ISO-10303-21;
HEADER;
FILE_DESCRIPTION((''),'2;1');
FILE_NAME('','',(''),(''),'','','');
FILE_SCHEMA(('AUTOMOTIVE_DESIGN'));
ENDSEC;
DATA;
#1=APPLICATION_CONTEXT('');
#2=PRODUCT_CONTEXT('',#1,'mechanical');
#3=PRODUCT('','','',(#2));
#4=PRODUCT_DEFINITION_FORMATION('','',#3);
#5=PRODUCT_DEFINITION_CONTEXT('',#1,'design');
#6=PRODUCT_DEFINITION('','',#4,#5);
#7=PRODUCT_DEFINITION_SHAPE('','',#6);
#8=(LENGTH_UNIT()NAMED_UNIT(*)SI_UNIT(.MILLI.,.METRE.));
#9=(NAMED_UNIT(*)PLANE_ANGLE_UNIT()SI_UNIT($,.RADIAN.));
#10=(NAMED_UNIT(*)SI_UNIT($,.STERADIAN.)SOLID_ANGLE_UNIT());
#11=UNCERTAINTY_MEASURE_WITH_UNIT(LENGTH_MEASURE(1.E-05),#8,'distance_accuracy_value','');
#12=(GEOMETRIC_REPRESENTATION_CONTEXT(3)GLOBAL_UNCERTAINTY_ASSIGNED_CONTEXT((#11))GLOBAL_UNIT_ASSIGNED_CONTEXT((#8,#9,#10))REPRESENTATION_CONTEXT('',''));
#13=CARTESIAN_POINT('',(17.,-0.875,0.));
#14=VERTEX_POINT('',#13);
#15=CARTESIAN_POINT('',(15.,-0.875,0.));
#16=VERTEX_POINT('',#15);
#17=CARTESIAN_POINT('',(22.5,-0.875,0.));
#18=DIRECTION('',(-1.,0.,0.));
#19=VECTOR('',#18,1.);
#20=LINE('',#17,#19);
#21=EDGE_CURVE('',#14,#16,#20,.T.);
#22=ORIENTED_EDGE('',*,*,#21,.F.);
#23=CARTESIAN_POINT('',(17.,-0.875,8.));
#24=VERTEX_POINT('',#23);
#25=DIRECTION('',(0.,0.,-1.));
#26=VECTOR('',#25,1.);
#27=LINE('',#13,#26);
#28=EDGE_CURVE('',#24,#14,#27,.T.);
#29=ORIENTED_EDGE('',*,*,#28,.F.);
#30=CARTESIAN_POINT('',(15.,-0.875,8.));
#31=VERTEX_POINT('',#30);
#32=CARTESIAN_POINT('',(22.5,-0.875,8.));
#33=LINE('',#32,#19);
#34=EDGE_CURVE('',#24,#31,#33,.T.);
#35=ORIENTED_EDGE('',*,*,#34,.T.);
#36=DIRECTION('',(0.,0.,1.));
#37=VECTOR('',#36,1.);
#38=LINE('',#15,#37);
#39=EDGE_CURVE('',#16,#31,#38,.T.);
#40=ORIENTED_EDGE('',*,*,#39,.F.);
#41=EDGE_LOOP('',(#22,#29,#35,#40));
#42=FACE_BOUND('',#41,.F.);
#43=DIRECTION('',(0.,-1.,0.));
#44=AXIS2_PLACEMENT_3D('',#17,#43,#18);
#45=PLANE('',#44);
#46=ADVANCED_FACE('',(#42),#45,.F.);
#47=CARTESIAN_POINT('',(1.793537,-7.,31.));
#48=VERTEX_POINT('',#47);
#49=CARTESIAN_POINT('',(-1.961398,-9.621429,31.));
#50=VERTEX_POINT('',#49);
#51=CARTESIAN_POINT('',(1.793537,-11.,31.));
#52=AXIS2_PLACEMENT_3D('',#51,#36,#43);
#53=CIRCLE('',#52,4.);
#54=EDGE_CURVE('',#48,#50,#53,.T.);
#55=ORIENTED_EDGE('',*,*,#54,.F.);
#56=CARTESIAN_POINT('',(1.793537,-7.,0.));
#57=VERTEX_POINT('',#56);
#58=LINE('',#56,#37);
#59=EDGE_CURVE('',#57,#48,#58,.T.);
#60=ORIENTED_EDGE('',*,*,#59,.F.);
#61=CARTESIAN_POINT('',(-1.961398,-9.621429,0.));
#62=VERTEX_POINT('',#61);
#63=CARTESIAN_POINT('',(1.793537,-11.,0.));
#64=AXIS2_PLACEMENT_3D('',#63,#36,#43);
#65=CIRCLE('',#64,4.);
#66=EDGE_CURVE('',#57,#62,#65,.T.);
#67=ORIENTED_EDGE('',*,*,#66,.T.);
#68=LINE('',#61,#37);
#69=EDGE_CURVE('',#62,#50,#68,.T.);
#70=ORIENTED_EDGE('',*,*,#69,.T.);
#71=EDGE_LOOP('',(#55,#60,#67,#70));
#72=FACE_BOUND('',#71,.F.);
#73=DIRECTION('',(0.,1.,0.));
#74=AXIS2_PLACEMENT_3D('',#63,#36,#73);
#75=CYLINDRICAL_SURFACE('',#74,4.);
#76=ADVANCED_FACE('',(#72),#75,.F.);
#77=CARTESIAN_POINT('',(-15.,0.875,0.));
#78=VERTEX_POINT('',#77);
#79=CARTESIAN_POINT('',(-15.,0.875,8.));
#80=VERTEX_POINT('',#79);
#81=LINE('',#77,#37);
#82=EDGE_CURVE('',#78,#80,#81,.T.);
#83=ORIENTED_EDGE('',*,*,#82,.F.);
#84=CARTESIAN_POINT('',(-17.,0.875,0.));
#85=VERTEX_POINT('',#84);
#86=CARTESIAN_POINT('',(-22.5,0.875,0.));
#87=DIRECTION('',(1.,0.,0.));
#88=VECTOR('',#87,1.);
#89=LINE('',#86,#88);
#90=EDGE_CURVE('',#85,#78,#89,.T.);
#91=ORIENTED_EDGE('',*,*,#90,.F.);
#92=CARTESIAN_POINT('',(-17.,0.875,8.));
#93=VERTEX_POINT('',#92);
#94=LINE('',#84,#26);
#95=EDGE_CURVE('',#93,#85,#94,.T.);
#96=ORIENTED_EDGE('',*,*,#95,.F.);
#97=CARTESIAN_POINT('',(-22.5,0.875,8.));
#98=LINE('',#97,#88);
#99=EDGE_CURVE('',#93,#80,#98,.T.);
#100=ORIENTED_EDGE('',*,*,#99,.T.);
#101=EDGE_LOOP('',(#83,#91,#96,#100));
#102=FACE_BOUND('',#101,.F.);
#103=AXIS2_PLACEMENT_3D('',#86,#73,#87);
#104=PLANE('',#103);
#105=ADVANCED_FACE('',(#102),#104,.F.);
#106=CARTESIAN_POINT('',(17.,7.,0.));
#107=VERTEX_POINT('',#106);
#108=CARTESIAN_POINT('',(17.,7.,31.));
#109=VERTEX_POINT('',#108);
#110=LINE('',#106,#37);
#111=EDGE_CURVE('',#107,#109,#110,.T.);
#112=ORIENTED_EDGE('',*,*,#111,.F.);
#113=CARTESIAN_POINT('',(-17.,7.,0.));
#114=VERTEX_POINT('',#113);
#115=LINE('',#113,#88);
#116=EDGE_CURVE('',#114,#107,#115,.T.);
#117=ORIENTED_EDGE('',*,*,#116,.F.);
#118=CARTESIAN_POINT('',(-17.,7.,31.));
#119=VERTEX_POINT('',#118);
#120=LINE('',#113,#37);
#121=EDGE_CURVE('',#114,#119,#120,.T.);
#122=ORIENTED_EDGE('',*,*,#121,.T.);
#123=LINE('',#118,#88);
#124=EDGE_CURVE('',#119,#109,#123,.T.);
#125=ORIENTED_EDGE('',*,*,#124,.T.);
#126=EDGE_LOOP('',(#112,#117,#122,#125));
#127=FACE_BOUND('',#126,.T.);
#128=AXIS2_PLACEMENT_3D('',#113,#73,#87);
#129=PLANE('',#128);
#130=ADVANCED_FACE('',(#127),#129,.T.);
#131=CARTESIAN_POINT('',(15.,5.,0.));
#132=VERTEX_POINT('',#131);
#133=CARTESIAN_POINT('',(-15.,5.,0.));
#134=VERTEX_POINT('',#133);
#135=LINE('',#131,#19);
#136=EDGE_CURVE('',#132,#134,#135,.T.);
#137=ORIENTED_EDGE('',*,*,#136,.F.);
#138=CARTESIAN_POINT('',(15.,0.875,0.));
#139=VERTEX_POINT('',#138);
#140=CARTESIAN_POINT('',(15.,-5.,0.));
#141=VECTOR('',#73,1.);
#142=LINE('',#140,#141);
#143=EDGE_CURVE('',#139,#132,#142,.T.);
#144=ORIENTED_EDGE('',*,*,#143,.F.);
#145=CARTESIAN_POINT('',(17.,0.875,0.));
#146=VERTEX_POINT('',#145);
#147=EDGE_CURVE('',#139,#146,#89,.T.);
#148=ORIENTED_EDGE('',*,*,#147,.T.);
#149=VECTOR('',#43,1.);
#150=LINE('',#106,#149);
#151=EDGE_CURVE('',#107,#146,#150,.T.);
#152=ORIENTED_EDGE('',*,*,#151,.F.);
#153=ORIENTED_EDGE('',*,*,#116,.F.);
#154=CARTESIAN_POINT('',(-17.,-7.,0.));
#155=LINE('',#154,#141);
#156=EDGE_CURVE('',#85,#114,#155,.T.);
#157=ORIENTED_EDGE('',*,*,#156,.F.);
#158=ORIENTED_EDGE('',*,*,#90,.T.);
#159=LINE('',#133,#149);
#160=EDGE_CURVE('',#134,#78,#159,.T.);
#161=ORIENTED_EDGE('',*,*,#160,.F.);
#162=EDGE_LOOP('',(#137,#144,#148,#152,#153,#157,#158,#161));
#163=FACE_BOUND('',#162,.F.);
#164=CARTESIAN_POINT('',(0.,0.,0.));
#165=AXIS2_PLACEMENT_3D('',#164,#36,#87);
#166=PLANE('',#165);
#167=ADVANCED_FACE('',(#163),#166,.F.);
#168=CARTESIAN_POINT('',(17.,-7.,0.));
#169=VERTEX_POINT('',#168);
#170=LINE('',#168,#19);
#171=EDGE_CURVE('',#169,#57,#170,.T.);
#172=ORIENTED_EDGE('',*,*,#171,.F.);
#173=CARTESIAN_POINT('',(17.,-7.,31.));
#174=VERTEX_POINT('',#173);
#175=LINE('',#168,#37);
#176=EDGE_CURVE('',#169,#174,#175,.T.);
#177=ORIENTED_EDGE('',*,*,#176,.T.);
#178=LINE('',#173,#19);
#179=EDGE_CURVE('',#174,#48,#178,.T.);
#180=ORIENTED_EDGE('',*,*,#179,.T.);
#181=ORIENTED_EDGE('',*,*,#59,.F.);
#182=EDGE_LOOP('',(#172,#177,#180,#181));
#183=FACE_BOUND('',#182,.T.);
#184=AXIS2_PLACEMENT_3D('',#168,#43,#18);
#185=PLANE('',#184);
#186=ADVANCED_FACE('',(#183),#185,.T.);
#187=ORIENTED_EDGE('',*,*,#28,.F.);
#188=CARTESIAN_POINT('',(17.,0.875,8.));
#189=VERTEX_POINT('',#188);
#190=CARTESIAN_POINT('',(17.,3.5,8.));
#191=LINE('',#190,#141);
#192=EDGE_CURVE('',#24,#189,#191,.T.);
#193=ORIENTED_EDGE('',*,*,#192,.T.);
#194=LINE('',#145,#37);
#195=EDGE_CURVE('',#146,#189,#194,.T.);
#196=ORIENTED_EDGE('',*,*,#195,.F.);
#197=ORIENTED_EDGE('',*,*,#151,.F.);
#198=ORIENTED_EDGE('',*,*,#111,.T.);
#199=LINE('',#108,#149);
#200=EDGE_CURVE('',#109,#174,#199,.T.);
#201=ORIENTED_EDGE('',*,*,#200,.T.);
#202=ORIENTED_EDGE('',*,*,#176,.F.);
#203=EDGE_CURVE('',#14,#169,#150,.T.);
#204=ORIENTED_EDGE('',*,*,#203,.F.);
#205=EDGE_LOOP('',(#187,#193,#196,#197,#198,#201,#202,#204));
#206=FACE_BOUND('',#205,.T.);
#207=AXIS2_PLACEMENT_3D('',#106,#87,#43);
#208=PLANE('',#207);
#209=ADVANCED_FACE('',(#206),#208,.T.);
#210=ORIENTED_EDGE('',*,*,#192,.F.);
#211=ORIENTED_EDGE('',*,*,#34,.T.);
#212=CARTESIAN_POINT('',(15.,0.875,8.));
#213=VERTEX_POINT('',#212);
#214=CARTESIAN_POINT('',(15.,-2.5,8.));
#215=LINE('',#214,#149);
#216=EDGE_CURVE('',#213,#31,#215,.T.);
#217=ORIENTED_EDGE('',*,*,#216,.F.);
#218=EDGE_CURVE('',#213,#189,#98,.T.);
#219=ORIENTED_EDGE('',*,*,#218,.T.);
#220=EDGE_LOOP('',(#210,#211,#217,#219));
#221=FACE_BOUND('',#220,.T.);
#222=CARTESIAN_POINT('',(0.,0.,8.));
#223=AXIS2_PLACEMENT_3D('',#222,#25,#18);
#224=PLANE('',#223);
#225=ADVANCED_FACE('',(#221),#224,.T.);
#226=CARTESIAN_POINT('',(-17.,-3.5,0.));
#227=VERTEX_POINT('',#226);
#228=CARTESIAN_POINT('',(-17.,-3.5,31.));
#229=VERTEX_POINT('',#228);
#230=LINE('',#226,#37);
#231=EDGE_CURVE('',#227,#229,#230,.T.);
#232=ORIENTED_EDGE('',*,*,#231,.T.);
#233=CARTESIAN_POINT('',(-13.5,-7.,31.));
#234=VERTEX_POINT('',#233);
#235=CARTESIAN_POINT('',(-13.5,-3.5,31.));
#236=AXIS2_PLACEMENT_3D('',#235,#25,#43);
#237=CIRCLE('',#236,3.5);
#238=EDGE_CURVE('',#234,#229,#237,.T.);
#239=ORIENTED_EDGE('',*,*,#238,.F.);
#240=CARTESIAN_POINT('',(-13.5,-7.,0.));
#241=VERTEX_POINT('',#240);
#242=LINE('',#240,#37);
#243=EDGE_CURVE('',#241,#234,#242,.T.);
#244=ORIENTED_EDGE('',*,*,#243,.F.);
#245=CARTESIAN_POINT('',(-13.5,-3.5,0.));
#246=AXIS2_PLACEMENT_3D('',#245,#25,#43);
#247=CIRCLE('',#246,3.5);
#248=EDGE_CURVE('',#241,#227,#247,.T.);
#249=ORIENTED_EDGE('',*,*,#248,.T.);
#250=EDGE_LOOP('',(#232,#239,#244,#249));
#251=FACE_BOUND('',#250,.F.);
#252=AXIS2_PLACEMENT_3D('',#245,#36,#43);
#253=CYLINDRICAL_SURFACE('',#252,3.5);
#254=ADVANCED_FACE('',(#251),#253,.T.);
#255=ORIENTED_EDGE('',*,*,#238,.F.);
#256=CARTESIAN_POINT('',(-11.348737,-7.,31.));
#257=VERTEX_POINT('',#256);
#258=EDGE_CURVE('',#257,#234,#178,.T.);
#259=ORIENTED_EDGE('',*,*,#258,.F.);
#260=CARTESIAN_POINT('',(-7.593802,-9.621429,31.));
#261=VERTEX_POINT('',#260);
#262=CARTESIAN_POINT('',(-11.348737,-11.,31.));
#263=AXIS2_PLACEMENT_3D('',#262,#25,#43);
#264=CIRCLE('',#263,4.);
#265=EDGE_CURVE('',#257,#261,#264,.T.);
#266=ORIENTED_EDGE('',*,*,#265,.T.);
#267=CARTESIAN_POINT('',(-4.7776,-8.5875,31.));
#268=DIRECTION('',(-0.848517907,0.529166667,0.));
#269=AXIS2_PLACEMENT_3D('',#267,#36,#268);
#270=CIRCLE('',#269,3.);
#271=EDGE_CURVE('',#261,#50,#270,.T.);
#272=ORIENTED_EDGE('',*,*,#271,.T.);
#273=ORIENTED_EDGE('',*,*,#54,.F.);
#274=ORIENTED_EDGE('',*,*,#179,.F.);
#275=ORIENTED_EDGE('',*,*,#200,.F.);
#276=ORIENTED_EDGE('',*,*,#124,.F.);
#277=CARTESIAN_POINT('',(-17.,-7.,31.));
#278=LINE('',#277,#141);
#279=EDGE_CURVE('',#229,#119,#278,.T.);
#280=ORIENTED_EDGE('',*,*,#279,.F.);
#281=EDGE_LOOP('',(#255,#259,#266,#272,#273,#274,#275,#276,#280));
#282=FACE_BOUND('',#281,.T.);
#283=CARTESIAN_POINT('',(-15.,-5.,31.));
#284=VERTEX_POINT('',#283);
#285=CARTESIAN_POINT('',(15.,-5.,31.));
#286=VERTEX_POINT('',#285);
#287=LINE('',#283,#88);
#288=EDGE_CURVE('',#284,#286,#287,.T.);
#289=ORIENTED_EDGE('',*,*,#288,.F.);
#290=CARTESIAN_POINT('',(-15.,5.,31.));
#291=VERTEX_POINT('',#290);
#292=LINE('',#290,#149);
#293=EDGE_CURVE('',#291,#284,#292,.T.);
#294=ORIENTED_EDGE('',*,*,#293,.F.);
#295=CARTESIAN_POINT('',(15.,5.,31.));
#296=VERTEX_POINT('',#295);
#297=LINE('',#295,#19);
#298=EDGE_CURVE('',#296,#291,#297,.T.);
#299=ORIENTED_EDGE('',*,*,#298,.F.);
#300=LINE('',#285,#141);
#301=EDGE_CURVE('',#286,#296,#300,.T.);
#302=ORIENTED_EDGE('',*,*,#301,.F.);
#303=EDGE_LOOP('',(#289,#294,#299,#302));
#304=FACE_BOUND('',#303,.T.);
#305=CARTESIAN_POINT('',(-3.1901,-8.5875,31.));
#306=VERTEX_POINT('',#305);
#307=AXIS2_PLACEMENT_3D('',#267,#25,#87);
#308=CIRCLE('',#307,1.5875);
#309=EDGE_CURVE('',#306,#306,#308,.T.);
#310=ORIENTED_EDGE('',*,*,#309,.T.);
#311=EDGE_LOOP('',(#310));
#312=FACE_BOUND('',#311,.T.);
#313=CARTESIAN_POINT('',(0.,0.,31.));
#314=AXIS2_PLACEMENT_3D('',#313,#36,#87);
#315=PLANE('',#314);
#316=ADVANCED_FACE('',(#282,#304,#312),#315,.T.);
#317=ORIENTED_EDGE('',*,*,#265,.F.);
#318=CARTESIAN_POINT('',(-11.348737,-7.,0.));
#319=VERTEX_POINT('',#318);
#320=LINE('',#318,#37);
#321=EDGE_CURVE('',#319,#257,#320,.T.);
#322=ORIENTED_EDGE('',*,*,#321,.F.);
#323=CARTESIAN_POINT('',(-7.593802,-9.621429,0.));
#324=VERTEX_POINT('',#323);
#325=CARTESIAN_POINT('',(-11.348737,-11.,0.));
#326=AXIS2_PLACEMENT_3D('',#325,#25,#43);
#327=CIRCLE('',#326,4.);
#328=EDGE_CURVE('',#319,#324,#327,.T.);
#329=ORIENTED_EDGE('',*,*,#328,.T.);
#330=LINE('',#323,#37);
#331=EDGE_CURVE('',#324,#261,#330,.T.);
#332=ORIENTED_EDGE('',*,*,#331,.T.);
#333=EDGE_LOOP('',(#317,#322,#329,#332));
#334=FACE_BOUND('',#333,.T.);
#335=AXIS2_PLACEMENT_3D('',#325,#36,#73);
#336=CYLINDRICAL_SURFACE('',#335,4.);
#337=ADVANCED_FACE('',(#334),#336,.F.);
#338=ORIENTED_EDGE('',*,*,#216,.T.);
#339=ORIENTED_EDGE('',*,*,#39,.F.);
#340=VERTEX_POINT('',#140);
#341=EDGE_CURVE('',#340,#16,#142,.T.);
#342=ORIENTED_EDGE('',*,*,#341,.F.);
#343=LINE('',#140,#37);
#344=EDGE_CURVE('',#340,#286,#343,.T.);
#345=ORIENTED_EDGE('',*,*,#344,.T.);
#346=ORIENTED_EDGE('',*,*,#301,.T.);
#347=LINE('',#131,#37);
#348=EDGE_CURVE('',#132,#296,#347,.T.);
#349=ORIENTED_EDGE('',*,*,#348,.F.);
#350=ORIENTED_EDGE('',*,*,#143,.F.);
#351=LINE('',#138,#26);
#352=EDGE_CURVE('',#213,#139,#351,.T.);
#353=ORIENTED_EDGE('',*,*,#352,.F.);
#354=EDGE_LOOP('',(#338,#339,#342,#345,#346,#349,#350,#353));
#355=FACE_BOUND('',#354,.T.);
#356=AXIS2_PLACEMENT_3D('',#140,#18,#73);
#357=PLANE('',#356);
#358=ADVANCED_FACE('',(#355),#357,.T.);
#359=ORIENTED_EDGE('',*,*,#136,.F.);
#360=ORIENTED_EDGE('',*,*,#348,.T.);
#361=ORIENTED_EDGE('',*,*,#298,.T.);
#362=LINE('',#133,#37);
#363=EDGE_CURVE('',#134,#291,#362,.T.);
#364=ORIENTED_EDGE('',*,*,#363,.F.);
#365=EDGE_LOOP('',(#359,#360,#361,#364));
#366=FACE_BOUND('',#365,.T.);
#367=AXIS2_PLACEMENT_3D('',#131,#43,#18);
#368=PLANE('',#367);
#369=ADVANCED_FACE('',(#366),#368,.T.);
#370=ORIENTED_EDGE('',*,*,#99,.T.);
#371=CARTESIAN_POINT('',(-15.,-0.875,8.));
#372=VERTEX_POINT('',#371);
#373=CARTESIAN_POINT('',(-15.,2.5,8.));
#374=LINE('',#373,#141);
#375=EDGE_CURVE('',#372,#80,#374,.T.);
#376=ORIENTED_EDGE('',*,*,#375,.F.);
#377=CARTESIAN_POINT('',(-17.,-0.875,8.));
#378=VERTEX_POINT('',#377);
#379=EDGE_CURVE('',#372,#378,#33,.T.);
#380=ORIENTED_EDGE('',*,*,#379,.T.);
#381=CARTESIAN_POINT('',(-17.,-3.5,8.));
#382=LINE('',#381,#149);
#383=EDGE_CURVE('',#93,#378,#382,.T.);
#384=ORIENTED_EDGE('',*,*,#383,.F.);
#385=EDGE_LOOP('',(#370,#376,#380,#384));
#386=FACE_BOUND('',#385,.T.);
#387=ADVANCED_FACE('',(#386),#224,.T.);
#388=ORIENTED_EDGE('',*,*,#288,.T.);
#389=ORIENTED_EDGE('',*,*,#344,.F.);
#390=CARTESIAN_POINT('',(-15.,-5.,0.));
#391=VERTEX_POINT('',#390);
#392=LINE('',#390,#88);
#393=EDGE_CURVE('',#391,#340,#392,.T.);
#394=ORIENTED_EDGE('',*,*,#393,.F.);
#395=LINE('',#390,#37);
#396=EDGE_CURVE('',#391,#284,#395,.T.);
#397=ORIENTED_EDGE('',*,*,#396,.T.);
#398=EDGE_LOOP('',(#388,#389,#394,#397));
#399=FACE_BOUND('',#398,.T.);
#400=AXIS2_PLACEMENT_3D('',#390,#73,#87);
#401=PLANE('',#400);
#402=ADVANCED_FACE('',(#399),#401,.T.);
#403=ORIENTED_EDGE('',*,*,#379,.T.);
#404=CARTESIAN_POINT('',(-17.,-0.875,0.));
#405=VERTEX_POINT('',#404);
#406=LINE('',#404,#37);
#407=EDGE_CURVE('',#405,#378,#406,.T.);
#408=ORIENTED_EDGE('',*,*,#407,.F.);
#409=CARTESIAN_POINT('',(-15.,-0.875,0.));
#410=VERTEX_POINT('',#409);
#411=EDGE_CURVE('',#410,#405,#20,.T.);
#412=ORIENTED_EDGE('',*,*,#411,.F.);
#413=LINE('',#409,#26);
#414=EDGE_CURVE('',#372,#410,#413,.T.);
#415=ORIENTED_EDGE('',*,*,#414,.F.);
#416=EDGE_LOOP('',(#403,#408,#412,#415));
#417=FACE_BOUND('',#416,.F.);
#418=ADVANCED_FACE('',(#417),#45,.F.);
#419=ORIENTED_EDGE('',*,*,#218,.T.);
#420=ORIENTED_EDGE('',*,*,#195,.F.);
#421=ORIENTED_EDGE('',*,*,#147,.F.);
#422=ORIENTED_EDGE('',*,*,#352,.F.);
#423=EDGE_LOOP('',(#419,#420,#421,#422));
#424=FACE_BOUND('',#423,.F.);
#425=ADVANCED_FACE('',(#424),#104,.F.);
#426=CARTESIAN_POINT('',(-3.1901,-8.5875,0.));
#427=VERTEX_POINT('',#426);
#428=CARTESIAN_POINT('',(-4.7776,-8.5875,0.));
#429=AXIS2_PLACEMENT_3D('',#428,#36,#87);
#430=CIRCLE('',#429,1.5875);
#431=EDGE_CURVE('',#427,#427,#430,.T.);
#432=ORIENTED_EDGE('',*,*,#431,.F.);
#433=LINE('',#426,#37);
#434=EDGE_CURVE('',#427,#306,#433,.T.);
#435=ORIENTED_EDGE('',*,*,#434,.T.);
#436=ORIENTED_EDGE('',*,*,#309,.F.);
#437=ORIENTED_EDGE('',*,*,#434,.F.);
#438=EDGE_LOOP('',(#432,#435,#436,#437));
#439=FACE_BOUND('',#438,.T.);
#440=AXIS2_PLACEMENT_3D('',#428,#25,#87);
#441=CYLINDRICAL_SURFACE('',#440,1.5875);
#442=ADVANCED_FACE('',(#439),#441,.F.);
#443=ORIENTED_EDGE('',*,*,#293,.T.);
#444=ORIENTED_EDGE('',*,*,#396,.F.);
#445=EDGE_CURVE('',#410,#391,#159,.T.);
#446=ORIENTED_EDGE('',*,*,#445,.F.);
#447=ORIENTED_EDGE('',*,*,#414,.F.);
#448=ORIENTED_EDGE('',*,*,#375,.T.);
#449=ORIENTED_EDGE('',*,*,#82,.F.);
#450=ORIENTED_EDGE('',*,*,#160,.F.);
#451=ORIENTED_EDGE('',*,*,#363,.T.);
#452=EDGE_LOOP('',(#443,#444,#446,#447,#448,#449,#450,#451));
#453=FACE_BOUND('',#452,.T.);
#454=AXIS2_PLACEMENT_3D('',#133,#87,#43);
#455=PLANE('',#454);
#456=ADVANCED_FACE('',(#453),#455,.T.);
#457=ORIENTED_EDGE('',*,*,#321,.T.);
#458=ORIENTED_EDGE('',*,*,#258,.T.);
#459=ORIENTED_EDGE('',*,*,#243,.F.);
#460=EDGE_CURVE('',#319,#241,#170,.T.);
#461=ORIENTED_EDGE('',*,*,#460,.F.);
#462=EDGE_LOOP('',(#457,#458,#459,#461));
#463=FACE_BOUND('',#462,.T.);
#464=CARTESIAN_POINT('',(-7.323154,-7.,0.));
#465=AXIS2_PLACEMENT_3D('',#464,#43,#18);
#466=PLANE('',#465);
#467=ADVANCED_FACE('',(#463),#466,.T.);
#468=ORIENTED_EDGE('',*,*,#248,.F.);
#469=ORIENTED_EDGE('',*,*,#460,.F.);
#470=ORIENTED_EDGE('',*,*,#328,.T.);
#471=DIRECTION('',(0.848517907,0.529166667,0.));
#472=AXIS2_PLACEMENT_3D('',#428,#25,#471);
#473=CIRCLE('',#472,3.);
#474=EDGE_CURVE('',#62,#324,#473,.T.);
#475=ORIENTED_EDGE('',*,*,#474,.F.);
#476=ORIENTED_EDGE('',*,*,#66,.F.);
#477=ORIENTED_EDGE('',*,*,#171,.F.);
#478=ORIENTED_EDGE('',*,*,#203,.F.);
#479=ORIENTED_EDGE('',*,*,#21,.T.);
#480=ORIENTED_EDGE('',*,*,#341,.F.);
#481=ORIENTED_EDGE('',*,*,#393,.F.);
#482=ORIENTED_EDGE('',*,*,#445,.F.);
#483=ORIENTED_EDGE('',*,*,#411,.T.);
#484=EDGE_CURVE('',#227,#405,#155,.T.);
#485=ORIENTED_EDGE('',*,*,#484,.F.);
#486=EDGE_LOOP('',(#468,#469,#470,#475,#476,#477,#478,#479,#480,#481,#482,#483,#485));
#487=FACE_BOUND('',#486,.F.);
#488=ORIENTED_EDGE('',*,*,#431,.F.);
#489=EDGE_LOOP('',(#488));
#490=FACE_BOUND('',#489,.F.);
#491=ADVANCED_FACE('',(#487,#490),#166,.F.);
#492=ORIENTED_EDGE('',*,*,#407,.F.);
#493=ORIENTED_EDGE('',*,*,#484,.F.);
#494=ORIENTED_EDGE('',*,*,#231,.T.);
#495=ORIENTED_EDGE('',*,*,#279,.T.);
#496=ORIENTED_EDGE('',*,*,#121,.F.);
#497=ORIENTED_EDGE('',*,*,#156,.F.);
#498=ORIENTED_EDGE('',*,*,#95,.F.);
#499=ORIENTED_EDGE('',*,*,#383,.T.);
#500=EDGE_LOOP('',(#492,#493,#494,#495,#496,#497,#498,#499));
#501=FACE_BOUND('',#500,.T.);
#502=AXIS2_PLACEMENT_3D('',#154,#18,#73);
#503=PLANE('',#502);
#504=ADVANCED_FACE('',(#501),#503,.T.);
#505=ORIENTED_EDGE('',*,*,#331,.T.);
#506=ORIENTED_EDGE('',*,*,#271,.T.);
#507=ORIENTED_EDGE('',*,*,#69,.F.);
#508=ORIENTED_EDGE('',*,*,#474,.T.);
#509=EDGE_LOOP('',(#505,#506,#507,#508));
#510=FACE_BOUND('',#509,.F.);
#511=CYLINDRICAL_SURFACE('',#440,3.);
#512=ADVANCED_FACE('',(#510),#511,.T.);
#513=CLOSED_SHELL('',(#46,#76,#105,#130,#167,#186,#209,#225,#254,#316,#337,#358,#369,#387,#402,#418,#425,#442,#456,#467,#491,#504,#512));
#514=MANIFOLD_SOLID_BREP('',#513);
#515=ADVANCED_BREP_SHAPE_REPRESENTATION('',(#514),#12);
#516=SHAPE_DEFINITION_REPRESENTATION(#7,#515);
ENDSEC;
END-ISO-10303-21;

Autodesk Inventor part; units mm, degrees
ref_plane "YZ Plane" through (0, 0, 0) normal (1, 0, 0) x (0, 1, 0)
ref_plane "XZ Plane" through (0, 0, 0) normal (0, 1, 0) x (-1, 0, 0)
ref_plane "XY Plane" through (0, 0, 0) normal (0, 0, 1) x (1, 0, 0)
sketch "Sketch1" plane through (0, 0, 0) normal (0, 0, 1) x (1, 0, 0)
  line L0 (-15, -5) -> (15, -5)
  line L1 (15, -5) -> (15, 5)
  line L2 (15, 5) -> (-15, 5)
  line L3 (-15, 5) -> (-15, -5)
  line L4 (-15, -5) -> (15, 5) construction
  line L5 (15, -5) -> (-15, 5) construction
  line L6 (-17, 7) -> (17, 7)
  line L7 (17, 7) -> (17, -7)
  line L8 (17, -7) -> (-17, -7)
  line L9 (-17, -7) -> (-17, 7)
  line L10 (-15, 0) -> (-8.5, 0) construction
  line L11 (-8.5, 0) -> (-4.7776, -8.5875) construction
  circle A0 centre (-13.2482, 10.9542) radius 1.5875
  circle A1 centre (-13.2482, 10.9542) radius 3
  line L12 (-13.2482, 10.9542) -> (-19.3708, 3.6576) construction
  line L13 (-19.3708, 3.6576) -> (-4.7776, -8.5875) construction
  circle A2 centre (-4.7776, -8.5875) radius 1.5875
  circle A3 centre (-4.7776, -8.5875) radius 3
  point P0 (0, 0)
  point P1 (-2.2321, -7)
  point P2 (-9.2647, 7)
  point P3 (-13.8861, 7)
  point P4 (-7.3232, -7)
  dimension "d0" = 10
  dimension "d1" = 30
  dimension "d2" = 2
  dimension "d3" = 6.5
  dimension "d8" = 3.175
  dimension "d9" = 6
  dimension "d10" = 9.525
  dimension "d11" = 19.05
  dimension "d12" = 3.175
  dimension "d13" = 6
  dimension "d14" = 40
extrude "Extrusion1" add sketch "Sketch1" along normal blind 31 contours L6 L7 L8 A3 L9 | A3 L8 | L8 A3
fillet "Fillet1" radius 4 2 edges at (-2.2321, -7, 15.5) (-7.3232, -7, 15.5)
sketch "Sketch2" plane through (0, 0, 0) normal (0, 0, -1) x (-1, 0, 0)
  line L0 (-22.5, -0.875) -> (22.5, -0.875)
  line L1 (22.5, -0.875) -> (22.5, 0.875)
  line L2 (22.5, 0.875) -> (-22.5, 0.875)
  line L3 (-22.5, 0.875) -> (-22.5, -0.875)
  line L4 (-22.5, -0.875) -> (22.5, 0.875) construction
  line L5 (22.5, -0.875) -> (-22.5, 0.875) construction
  point P0 (0, 0)
  dimension "d18" = 45
  dimension "d19" = 1.75
extrude "Extrusion2" cut sketch "Sketch2" against normal blind 8
fillet "Fillet2" radius 3.5 1 edges at (-17, -7, 15.5)
properties part number "Sleeve" material "Nylon 6/6"
